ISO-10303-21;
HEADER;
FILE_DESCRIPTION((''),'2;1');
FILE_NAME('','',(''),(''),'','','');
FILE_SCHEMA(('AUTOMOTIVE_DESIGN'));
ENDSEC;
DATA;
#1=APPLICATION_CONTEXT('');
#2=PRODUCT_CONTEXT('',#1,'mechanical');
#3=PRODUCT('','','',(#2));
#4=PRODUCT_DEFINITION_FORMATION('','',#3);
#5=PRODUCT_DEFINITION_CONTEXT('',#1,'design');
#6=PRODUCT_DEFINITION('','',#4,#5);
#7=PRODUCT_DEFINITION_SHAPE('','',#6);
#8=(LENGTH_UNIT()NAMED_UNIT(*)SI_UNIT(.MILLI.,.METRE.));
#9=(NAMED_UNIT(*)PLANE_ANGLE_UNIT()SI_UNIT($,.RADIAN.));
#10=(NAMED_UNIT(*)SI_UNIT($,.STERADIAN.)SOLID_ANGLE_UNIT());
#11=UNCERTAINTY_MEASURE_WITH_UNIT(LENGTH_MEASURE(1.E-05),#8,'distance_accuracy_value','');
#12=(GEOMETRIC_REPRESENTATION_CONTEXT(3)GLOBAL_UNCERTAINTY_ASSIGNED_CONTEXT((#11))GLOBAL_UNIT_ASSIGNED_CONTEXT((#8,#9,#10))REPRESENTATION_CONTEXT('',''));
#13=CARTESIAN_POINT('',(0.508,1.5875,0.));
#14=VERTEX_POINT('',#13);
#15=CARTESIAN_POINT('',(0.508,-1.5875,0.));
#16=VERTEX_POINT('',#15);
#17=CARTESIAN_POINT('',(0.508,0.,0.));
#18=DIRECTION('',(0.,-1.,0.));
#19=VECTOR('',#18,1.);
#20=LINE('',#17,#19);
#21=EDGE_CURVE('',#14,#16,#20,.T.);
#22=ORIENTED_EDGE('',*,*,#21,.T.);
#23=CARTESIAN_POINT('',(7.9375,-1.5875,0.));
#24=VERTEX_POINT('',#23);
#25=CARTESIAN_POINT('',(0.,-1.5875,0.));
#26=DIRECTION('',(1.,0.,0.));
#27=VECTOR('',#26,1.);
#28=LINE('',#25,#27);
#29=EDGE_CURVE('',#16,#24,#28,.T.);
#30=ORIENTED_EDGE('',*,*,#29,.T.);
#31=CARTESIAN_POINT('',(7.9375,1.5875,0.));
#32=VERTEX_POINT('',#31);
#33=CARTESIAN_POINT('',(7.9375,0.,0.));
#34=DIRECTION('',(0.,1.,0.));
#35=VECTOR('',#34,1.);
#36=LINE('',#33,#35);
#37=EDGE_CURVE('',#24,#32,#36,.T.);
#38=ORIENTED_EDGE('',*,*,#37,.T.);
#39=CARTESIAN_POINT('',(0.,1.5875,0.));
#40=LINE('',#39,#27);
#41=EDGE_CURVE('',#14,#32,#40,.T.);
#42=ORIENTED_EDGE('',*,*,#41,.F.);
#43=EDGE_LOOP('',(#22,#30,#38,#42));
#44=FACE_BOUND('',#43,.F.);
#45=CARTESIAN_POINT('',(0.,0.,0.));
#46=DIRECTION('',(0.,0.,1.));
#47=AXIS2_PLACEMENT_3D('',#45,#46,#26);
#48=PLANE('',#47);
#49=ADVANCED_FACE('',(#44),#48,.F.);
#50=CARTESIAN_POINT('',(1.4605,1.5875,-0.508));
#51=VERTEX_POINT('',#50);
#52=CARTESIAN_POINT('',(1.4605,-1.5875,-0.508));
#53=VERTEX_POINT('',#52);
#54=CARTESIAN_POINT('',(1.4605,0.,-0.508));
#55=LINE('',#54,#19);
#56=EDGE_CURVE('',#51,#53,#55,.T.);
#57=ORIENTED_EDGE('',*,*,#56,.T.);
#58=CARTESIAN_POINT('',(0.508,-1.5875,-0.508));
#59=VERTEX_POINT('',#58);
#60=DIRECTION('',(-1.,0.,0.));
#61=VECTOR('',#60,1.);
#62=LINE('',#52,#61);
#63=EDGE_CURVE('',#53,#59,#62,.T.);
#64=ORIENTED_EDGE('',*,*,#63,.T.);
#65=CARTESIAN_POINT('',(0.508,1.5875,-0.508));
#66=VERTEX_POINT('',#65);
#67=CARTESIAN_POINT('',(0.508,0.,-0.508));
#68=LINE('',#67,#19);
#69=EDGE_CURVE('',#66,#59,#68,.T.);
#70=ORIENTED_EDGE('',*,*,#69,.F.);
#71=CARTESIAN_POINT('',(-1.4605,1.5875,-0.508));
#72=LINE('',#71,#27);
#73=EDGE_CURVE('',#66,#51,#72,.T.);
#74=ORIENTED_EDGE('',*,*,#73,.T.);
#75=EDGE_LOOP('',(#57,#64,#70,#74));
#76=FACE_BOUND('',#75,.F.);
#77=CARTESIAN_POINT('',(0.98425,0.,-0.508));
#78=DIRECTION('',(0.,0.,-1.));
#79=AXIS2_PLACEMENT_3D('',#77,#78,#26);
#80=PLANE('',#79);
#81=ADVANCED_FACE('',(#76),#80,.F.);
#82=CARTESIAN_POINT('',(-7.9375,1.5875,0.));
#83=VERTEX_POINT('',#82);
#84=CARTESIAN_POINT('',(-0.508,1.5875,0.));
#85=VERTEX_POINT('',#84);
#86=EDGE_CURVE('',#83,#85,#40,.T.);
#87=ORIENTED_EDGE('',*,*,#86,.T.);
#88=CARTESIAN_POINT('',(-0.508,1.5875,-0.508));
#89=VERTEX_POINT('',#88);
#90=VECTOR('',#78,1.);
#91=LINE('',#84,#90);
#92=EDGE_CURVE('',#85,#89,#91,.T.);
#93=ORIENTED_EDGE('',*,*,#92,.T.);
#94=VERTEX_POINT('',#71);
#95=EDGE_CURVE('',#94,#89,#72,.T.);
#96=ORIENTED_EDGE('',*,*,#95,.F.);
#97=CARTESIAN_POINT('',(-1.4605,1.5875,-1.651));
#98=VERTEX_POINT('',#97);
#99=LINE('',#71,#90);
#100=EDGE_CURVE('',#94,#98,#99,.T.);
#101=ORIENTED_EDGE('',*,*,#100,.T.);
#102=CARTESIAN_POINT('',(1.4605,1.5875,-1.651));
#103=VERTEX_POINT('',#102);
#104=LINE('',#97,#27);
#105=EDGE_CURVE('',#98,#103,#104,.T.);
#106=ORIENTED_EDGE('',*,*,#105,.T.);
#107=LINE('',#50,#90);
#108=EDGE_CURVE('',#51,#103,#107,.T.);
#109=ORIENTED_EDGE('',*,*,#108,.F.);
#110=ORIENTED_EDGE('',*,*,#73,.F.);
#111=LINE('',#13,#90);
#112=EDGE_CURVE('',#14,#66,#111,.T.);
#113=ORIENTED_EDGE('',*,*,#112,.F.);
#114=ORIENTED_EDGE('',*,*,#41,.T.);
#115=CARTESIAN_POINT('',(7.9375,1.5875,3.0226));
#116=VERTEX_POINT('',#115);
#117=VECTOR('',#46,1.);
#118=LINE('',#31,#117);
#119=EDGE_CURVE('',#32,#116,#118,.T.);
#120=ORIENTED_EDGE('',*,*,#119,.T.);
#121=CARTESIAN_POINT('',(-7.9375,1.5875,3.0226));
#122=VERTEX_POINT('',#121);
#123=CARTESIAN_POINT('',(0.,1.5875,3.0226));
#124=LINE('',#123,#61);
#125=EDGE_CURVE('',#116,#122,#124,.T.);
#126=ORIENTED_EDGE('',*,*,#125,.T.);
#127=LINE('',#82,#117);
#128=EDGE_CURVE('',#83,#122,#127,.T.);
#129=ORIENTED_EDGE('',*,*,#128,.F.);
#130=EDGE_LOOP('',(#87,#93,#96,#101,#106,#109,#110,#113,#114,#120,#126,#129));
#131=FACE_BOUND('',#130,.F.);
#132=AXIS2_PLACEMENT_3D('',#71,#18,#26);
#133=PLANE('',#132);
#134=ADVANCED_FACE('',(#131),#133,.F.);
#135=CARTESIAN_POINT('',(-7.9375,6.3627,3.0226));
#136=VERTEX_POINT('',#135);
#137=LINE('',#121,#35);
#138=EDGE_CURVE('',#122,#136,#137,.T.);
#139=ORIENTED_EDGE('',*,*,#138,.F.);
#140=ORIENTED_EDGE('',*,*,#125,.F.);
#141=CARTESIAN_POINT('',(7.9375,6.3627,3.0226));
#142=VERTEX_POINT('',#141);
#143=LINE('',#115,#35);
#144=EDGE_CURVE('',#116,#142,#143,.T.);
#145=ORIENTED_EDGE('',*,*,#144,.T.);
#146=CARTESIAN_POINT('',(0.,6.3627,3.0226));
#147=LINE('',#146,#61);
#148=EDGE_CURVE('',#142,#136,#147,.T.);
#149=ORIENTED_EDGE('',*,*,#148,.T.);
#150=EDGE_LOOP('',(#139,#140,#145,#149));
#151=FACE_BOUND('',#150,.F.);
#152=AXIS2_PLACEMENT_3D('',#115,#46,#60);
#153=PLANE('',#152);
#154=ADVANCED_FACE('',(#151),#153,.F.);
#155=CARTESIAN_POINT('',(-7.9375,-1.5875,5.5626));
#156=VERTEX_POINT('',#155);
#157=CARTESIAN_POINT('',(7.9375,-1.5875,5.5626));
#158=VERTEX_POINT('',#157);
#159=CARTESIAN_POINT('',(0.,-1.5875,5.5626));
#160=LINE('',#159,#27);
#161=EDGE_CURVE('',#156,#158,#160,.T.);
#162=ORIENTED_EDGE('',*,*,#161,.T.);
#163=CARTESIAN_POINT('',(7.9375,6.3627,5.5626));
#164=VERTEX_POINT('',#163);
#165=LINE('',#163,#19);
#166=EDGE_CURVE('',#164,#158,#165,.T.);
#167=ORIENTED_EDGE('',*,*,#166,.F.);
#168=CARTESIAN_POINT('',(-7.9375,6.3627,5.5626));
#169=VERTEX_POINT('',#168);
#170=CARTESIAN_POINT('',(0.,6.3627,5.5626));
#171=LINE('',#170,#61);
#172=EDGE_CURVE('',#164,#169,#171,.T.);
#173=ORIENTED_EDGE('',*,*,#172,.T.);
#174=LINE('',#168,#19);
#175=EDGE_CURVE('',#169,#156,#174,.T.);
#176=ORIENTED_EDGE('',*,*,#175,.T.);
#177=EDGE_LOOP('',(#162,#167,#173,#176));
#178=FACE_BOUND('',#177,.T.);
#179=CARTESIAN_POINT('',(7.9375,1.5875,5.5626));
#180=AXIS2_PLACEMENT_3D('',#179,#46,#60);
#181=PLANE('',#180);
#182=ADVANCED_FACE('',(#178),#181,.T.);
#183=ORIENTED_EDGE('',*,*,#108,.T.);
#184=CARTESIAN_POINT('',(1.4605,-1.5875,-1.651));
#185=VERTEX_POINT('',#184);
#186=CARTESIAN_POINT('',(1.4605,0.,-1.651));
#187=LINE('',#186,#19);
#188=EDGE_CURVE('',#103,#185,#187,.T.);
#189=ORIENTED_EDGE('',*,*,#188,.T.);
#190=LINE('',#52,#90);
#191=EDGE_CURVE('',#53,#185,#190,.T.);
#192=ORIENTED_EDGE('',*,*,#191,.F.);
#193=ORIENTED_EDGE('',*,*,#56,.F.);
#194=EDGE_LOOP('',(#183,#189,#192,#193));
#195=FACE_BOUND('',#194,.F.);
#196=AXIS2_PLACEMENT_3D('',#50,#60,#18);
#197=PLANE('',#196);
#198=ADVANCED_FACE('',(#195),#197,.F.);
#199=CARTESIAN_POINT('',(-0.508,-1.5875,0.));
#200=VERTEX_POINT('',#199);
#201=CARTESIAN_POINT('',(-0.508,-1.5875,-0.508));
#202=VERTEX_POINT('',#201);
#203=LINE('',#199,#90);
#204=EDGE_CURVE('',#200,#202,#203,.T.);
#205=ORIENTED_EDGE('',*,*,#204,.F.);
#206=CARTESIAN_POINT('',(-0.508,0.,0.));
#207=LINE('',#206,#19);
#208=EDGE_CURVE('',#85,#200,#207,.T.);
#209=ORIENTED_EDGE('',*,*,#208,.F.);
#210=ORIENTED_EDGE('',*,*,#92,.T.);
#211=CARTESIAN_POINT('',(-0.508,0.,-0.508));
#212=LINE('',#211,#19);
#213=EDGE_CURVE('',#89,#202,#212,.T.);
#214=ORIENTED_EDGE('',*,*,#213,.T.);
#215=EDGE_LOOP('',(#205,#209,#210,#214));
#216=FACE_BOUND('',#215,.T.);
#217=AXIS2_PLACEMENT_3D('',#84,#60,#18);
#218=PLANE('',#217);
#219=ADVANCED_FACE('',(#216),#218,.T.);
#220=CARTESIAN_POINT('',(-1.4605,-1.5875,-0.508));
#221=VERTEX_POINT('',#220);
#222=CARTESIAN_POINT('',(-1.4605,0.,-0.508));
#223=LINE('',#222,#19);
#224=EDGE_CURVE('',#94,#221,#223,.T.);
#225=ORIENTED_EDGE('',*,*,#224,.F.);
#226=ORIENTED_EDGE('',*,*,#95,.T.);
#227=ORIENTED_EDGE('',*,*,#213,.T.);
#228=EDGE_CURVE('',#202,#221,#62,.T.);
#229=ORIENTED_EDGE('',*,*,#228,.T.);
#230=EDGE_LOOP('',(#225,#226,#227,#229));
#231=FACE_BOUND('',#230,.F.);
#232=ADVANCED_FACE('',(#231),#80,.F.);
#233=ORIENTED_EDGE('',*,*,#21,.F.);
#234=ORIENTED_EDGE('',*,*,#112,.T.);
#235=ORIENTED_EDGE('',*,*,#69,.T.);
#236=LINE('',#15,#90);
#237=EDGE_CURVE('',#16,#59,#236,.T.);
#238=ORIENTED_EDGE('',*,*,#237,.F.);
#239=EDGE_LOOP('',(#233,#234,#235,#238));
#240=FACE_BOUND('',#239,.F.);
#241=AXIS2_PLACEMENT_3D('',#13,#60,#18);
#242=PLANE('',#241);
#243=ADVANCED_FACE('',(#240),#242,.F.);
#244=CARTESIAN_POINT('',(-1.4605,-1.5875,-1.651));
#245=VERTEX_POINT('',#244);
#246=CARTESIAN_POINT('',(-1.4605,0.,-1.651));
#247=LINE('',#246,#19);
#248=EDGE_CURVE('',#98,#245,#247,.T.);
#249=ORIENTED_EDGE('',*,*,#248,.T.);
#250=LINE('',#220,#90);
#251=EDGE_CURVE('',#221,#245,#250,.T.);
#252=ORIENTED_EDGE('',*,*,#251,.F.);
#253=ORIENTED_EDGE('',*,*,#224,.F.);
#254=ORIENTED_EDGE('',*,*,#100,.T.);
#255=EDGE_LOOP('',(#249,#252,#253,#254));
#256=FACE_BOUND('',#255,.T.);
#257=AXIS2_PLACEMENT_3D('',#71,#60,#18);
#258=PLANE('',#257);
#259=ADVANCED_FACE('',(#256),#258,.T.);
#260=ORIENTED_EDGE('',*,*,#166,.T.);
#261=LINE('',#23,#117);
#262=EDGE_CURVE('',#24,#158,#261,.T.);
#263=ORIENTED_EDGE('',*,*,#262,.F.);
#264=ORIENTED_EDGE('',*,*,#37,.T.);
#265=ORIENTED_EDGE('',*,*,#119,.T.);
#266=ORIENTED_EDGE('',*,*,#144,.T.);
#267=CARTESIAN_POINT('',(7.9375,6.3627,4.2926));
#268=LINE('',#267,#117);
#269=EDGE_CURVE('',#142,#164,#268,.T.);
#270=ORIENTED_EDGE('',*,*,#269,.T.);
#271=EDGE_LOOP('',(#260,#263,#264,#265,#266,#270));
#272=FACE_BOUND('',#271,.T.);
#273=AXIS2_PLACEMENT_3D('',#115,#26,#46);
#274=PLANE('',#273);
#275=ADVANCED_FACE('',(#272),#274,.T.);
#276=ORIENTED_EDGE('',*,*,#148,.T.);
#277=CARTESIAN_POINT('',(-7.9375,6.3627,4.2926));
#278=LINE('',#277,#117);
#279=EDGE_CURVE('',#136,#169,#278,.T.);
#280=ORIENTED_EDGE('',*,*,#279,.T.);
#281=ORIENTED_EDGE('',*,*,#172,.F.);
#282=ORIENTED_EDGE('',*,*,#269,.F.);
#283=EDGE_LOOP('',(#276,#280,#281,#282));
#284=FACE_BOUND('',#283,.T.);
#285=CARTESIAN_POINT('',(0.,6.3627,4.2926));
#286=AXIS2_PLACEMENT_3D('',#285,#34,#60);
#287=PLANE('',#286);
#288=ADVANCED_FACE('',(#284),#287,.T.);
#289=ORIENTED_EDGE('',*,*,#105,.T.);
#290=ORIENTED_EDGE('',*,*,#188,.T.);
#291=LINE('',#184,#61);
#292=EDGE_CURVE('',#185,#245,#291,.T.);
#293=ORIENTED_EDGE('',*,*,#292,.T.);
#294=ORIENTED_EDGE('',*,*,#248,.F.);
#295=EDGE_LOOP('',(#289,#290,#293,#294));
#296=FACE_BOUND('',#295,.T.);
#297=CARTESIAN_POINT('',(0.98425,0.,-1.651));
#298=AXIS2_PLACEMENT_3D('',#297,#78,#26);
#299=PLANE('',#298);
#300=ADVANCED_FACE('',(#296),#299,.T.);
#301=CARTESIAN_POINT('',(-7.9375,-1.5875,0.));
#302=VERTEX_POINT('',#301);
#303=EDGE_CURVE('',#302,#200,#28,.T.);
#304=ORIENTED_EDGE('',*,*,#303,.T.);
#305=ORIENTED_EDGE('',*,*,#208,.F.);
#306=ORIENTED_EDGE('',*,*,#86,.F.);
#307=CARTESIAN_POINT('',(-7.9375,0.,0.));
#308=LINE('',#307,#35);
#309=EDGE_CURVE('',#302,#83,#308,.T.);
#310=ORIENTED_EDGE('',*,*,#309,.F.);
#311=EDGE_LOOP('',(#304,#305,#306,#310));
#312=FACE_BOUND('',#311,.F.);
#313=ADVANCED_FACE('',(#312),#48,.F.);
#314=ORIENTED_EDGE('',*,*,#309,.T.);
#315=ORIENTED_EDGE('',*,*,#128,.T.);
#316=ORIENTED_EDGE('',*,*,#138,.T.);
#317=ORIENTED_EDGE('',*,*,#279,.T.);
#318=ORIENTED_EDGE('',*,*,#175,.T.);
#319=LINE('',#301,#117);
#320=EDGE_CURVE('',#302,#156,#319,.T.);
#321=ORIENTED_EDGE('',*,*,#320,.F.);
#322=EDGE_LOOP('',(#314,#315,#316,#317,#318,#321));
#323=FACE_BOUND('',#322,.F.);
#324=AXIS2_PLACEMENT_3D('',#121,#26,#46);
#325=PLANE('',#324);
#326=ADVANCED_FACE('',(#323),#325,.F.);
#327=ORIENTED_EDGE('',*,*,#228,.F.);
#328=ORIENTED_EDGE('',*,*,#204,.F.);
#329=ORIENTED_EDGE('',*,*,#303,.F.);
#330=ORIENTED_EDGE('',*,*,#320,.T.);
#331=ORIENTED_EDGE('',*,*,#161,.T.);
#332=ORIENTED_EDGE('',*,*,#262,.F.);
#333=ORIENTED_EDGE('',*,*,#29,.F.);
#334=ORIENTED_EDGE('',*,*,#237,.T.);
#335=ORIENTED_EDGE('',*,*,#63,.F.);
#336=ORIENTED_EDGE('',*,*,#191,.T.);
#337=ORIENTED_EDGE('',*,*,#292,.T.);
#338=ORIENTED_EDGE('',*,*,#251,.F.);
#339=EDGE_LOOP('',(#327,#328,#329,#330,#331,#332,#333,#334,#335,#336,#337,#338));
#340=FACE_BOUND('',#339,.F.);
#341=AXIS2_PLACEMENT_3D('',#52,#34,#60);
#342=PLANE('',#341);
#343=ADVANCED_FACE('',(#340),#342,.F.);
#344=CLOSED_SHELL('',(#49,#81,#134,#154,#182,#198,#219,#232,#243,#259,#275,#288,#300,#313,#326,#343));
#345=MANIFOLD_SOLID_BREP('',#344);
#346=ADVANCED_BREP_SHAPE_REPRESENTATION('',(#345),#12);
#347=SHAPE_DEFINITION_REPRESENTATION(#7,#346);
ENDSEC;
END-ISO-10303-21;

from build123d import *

# Parameters (mm, degrees)
F0_W     = 15.875
F0_H     = 3.175
F1_DEPTH = 5.5626
F2_W     = 15.875
F2_H     = 2.54
F3_DEPTH = 4.7752
F4_W     = 1.016
F4_H     = 3.175
F5_DEPTH = 0.508
F6_W     = 0.9525
F6_H     = 3.175
F6_W_2   = 1.016
F7_DEPTH = 1.143


with BuildPart() as f1:
    # F0 (on Top) → F1 (new body)
    with BuildSketch(Plane.XY):
        Rectangle(F0_W, F0_H)
    extrude(amount=F1_DEPTH)

    # F2 (on face) → F3 (join)
    with BuildSketch(Plane(origin=(0, 1.5875, 0), x_dir=(-1, 0, 0), z_dir=(0, 1, 0))):
        with Locations((0, 4.2926)):
            Rectangle(F2_W, F2_H)
    extrude(amount=F3_DEPTH)

    # F4 (on face) → F5 (join)
    with BuildSketch(Plane(origin=(0, 0, 0), x_dir=(1, 0, 0), z_dir=(0, 0, -1))):
        Rectangle(F4_W, F4_H)
    extrude(amount=F5_DEPTH)

    # F6 (on face) → F7 (join)
    with BuildSketch(Plane(origin=(0, 0, -0.508), x_dir=(1, 0, 0), z_dir=(0, 0, -1))):
        with Locations((0.98425, 0)):
            Rectangle(F6_W, F6_H)
        Rectangle(F6_W_2, F6_H)
        with Locations((-0.98425, 0)):
            Rectangle(F6_W, F6_H)
    extrude(amount=F7_DEPTH)


solid = f1.part
